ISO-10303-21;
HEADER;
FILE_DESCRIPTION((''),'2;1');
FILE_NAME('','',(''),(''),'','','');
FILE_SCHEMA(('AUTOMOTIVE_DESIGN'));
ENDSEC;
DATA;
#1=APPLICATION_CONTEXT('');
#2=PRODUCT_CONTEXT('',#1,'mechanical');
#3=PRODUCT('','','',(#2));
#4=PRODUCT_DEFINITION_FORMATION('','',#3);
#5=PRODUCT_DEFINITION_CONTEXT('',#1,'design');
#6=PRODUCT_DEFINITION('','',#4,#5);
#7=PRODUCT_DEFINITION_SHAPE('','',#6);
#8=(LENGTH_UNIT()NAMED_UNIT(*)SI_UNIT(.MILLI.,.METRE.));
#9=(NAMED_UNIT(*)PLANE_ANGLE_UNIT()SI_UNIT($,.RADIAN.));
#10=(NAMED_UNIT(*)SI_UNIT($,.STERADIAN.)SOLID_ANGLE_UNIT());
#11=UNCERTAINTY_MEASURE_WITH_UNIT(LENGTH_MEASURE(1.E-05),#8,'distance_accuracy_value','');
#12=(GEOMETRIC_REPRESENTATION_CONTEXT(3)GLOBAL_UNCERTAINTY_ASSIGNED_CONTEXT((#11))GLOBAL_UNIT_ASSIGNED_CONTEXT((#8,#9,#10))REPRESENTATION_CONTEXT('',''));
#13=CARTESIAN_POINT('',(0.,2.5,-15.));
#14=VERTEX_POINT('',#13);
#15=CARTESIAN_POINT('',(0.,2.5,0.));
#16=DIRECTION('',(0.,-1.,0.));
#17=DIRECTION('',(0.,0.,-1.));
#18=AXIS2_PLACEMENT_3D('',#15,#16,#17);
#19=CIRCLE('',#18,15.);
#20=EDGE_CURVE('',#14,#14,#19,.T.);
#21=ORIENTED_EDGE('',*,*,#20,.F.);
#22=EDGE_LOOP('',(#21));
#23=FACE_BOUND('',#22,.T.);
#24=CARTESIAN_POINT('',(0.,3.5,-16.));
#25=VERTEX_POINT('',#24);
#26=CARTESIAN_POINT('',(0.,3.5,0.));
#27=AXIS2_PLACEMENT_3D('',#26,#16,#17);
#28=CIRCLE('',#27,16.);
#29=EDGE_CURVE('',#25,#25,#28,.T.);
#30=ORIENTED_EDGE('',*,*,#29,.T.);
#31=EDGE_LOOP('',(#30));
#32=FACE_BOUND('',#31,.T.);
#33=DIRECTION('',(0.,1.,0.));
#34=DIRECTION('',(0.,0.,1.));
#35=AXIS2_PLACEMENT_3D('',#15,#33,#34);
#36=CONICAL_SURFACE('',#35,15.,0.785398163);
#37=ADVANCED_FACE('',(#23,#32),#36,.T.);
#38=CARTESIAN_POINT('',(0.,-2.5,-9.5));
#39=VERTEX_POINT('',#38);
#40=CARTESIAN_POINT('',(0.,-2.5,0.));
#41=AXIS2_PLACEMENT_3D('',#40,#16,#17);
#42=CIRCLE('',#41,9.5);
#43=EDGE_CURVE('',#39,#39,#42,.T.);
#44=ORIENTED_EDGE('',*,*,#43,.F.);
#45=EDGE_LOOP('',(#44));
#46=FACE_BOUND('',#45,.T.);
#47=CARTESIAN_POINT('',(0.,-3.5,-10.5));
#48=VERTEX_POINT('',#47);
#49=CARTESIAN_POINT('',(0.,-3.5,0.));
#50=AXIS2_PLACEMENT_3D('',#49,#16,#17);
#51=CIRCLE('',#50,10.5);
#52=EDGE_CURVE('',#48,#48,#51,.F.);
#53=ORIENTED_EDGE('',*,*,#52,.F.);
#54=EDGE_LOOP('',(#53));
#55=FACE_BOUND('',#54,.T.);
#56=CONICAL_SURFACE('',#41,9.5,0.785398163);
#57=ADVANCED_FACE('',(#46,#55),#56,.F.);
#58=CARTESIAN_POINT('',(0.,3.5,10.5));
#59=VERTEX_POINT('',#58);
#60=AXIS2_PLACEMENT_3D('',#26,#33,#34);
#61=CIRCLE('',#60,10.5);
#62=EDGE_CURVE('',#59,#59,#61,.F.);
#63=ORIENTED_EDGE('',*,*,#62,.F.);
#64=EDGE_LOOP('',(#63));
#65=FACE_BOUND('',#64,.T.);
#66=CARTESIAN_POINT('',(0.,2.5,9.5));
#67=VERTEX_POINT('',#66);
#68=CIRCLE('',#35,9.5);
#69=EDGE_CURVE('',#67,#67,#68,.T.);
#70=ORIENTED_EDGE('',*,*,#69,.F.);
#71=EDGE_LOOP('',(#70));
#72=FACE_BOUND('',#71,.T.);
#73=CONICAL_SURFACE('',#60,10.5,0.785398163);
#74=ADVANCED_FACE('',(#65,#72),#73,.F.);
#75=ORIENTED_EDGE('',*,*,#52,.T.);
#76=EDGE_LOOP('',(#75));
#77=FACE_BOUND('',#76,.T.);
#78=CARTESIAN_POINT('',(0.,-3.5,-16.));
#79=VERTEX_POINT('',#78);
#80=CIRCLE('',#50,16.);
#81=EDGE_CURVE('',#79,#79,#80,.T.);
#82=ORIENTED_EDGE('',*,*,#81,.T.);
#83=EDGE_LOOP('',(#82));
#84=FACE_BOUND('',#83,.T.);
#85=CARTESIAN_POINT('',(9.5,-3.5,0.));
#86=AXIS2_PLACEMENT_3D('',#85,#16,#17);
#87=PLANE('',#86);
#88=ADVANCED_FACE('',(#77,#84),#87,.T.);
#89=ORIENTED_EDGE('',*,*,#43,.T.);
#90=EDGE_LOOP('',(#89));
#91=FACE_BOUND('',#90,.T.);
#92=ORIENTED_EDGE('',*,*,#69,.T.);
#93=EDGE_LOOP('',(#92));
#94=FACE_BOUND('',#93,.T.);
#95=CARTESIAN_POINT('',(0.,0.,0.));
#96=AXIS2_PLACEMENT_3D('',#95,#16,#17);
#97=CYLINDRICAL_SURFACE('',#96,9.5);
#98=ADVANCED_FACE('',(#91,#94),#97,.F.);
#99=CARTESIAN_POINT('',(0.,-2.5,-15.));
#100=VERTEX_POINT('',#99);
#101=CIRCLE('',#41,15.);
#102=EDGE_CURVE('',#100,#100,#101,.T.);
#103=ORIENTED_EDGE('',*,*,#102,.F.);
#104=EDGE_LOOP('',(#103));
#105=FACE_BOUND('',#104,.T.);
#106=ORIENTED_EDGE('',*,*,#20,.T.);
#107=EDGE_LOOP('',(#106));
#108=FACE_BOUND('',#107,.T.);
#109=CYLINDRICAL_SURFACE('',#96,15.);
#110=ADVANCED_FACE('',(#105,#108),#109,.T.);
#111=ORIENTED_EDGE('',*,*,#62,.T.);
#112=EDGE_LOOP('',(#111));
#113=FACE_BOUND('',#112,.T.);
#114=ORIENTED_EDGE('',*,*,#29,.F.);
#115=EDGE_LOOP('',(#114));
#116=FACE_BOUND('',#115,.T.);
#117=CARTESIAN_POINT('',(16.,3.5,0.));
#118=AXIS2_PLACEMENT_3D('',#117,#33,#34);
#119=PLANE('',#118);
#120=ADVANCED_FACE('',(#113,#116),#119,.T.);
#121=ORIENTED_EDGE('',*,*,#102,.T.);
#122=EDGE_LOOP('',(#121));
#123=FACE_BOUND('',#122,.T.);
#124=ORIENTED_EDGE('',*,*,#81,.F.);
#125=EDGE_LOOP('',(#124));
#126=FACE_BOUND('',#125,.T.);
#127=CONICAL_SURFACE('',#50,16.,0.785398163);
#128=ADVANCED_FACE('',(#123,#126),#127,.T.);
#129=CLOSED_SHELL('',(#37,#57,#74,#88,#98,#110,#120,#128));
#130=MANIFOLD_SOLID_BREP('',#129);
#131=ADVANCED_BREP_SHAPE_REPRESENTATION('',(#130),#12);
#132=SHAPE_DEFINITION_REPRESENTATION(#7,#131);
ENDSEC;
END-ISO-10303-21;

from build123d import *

# Parameters (mm, degrees)
CHAMFER1_SIZE = 1


with BuildPart() as part:
    # Sketch2 → Revolve1 (revolve)
    with BuildSketch(Plane.XY):
        Polygon((9.5, 3.5), (9.5, -3.5), (16, -3.5), (15, -2.5), (15, 2.5), (16, 3.5), align=None)
    revolve(axis=Axis((0, 0, 0), (0, 1, 0)))

    # Chamfer1
    chamfer1_edges = [part.edges().sort_by_distance(p)[0] for p in [
        (-9.5, -3.5, 0),
        (-9.5, 3.5, 0),
    ]]
    chamfer(chamfer1_edges, length=CHAMFER1_SIZE)


solid = part.part
